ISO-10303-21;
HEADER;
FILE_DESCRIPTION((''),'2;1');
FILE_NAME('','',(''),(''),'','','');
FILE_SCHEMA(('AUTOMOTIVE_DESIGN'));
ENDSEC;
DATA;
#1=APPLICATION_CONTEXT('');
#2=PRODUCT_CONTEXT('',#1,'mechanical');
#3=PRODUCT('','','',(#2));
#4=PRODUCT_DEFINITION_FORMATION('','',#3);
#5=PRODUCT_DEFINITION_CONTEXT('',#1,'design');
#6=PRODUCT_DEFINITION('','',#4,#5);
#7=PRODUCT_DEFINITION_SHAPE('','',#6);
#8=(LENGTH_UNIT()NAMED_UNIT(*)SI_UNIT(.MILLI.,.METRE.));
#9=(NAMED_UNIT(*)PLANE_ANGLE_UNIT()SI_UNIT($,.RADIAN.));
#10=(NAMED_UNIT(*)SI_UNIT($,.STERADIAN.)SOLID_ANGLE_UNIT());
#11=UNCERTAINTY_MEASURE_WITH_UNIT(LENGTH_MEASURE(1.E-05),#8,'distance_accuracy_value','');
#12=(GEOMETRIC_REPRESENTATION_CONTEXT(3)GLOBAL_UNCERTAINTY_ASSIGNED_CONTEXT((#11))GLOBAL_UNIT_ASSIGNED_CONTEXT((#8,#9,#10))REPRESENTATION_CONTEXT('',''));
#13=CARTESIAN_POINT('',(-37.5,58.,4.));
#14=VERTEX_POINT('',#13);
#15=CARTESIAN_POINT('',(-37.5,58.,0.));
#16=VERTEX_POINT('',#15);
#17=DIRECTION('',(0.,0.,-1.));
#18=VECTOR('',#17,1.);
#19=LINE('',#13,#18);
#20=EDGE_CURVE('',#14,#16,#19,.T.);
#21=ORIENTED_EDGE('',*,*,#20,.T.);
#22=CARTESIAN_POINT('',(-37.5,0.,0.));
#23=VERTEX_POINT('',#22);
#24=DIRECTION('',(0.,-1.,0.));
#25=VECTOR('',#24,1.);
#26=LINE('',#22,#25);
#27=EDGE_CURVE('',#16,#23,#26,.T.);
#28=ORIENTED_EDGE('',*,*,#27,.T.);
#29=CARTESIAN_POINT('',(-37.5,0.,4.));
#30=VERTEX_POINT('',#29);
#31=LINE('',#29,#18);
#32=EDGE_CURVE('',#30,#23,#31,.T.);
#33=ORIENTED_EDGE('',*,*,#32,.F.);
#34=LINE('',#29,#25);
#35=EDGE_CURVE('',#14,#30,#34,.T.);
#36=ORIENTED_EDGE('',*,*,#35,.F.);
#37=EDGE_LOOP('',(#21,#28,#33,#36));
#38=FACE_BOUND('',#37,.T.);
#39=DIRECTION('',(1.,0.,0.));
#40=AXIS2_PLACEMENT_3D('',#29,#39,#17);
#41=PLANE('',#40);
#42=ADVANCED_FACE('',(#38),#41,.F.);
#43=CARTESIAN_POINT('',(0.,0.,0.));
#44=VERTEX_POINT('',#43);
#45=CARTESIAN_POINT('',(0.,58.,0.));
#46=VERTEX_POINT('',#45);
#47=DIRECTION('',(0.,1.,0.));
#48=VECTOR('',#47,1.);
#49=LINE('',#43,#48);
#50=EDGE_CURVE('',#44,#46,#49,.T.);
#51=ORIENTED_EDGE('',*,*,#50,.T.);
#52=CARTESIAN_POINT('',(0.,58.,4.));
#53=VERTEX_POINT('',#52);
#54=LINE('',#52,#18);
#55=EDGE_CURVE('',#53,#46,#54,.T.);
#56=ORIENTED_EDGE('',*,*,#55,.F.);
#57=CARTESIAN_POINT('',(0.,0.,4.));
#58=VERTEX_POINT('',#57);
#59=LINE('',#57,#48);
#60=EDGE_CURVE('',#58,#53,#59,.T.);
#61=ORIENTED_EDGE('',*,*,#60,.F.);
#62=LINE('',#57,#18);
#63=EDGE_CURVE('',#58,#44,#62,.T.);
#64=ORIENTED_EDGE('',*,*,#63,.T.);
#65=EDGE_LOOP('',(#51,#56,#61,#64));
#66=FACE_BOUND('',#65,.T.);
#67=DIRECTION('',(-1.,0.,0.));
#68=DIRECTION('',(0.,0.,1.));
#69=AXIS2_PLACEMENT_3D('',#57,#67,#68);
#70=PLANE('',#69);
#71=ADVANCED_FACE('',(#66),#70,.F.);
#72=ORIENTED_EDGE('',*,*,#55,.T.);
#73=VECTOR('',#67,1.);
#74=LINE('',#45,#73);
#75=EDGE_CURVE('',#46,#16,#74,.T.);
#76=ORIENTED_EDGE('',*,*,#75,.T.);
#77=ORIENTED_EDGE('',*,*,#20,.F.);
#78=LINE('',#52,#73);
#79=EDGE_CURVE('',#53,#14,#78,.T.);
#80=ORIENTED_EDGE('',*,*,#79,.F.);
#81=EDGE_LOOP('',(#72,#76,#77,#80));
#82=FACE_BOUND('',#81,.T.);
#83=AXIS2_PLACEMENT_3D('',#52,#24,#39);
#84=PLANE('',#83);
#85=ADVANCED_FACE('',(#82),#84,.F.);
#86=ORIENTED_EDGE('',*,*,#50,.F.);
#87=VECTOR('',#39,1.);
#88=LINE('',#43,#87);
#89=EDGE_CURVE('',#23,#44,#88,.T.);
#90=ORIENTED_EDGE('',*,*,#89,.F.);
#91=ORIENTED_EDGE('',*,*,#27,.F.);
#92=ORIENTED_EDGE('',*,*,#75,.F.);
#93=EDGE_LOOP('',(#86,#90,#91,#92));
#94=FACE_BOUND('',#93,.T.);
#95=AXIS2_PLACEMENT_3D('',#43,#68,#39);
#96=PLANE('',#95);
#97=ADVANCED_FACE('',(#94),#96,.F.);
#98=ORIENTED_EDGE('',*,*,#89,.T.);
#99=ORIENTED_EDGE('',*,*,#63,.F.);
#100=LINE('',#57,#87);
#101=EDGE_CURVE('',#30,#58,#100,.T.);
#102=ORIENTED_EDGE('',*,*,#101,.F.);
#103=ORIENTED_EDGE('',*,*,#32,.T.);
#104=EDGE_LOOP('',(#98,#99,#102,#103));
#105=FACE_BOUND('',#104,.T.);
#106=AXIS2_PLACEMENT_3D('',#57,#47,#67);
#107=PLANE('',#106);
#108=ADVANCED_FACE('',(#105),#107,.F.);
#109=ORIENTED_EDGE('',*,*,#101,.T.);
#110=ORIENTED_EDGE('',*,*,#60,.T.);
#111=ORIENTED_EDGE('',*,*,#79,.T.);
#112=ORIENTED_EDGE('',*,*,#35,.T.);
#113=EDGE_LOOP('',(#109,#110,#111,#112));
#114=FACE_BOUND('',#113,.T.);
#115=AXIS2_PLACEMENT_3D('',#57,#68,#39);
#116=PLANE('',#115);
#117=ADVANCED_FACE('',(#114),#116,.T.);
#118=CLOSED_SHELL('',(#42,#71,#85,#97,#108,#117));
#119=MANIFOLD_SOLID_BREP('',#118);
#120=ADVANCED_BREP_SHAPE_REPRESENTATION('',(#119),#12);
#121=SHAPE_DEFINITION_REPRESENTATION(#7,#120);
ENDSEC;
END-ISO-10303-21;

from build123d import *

# Parameters (mm, degrees)
SKETCH_1_W      = 37.5
SKETCH_1_H      = 58
EXTRUDE_1_DEPTH = 4


with BuildPart() as part:
    # 草图1 → 凸台-拉伸1 (new body)
    with BuildSketch(Plane.XY):
        with Locations((-18.75, 29)):
            Rectangle(SKETCH_1_W, SKETCH_1_H)
    extrude(amount=EXTRUDE_1_DEPTH)


solid = part.part
